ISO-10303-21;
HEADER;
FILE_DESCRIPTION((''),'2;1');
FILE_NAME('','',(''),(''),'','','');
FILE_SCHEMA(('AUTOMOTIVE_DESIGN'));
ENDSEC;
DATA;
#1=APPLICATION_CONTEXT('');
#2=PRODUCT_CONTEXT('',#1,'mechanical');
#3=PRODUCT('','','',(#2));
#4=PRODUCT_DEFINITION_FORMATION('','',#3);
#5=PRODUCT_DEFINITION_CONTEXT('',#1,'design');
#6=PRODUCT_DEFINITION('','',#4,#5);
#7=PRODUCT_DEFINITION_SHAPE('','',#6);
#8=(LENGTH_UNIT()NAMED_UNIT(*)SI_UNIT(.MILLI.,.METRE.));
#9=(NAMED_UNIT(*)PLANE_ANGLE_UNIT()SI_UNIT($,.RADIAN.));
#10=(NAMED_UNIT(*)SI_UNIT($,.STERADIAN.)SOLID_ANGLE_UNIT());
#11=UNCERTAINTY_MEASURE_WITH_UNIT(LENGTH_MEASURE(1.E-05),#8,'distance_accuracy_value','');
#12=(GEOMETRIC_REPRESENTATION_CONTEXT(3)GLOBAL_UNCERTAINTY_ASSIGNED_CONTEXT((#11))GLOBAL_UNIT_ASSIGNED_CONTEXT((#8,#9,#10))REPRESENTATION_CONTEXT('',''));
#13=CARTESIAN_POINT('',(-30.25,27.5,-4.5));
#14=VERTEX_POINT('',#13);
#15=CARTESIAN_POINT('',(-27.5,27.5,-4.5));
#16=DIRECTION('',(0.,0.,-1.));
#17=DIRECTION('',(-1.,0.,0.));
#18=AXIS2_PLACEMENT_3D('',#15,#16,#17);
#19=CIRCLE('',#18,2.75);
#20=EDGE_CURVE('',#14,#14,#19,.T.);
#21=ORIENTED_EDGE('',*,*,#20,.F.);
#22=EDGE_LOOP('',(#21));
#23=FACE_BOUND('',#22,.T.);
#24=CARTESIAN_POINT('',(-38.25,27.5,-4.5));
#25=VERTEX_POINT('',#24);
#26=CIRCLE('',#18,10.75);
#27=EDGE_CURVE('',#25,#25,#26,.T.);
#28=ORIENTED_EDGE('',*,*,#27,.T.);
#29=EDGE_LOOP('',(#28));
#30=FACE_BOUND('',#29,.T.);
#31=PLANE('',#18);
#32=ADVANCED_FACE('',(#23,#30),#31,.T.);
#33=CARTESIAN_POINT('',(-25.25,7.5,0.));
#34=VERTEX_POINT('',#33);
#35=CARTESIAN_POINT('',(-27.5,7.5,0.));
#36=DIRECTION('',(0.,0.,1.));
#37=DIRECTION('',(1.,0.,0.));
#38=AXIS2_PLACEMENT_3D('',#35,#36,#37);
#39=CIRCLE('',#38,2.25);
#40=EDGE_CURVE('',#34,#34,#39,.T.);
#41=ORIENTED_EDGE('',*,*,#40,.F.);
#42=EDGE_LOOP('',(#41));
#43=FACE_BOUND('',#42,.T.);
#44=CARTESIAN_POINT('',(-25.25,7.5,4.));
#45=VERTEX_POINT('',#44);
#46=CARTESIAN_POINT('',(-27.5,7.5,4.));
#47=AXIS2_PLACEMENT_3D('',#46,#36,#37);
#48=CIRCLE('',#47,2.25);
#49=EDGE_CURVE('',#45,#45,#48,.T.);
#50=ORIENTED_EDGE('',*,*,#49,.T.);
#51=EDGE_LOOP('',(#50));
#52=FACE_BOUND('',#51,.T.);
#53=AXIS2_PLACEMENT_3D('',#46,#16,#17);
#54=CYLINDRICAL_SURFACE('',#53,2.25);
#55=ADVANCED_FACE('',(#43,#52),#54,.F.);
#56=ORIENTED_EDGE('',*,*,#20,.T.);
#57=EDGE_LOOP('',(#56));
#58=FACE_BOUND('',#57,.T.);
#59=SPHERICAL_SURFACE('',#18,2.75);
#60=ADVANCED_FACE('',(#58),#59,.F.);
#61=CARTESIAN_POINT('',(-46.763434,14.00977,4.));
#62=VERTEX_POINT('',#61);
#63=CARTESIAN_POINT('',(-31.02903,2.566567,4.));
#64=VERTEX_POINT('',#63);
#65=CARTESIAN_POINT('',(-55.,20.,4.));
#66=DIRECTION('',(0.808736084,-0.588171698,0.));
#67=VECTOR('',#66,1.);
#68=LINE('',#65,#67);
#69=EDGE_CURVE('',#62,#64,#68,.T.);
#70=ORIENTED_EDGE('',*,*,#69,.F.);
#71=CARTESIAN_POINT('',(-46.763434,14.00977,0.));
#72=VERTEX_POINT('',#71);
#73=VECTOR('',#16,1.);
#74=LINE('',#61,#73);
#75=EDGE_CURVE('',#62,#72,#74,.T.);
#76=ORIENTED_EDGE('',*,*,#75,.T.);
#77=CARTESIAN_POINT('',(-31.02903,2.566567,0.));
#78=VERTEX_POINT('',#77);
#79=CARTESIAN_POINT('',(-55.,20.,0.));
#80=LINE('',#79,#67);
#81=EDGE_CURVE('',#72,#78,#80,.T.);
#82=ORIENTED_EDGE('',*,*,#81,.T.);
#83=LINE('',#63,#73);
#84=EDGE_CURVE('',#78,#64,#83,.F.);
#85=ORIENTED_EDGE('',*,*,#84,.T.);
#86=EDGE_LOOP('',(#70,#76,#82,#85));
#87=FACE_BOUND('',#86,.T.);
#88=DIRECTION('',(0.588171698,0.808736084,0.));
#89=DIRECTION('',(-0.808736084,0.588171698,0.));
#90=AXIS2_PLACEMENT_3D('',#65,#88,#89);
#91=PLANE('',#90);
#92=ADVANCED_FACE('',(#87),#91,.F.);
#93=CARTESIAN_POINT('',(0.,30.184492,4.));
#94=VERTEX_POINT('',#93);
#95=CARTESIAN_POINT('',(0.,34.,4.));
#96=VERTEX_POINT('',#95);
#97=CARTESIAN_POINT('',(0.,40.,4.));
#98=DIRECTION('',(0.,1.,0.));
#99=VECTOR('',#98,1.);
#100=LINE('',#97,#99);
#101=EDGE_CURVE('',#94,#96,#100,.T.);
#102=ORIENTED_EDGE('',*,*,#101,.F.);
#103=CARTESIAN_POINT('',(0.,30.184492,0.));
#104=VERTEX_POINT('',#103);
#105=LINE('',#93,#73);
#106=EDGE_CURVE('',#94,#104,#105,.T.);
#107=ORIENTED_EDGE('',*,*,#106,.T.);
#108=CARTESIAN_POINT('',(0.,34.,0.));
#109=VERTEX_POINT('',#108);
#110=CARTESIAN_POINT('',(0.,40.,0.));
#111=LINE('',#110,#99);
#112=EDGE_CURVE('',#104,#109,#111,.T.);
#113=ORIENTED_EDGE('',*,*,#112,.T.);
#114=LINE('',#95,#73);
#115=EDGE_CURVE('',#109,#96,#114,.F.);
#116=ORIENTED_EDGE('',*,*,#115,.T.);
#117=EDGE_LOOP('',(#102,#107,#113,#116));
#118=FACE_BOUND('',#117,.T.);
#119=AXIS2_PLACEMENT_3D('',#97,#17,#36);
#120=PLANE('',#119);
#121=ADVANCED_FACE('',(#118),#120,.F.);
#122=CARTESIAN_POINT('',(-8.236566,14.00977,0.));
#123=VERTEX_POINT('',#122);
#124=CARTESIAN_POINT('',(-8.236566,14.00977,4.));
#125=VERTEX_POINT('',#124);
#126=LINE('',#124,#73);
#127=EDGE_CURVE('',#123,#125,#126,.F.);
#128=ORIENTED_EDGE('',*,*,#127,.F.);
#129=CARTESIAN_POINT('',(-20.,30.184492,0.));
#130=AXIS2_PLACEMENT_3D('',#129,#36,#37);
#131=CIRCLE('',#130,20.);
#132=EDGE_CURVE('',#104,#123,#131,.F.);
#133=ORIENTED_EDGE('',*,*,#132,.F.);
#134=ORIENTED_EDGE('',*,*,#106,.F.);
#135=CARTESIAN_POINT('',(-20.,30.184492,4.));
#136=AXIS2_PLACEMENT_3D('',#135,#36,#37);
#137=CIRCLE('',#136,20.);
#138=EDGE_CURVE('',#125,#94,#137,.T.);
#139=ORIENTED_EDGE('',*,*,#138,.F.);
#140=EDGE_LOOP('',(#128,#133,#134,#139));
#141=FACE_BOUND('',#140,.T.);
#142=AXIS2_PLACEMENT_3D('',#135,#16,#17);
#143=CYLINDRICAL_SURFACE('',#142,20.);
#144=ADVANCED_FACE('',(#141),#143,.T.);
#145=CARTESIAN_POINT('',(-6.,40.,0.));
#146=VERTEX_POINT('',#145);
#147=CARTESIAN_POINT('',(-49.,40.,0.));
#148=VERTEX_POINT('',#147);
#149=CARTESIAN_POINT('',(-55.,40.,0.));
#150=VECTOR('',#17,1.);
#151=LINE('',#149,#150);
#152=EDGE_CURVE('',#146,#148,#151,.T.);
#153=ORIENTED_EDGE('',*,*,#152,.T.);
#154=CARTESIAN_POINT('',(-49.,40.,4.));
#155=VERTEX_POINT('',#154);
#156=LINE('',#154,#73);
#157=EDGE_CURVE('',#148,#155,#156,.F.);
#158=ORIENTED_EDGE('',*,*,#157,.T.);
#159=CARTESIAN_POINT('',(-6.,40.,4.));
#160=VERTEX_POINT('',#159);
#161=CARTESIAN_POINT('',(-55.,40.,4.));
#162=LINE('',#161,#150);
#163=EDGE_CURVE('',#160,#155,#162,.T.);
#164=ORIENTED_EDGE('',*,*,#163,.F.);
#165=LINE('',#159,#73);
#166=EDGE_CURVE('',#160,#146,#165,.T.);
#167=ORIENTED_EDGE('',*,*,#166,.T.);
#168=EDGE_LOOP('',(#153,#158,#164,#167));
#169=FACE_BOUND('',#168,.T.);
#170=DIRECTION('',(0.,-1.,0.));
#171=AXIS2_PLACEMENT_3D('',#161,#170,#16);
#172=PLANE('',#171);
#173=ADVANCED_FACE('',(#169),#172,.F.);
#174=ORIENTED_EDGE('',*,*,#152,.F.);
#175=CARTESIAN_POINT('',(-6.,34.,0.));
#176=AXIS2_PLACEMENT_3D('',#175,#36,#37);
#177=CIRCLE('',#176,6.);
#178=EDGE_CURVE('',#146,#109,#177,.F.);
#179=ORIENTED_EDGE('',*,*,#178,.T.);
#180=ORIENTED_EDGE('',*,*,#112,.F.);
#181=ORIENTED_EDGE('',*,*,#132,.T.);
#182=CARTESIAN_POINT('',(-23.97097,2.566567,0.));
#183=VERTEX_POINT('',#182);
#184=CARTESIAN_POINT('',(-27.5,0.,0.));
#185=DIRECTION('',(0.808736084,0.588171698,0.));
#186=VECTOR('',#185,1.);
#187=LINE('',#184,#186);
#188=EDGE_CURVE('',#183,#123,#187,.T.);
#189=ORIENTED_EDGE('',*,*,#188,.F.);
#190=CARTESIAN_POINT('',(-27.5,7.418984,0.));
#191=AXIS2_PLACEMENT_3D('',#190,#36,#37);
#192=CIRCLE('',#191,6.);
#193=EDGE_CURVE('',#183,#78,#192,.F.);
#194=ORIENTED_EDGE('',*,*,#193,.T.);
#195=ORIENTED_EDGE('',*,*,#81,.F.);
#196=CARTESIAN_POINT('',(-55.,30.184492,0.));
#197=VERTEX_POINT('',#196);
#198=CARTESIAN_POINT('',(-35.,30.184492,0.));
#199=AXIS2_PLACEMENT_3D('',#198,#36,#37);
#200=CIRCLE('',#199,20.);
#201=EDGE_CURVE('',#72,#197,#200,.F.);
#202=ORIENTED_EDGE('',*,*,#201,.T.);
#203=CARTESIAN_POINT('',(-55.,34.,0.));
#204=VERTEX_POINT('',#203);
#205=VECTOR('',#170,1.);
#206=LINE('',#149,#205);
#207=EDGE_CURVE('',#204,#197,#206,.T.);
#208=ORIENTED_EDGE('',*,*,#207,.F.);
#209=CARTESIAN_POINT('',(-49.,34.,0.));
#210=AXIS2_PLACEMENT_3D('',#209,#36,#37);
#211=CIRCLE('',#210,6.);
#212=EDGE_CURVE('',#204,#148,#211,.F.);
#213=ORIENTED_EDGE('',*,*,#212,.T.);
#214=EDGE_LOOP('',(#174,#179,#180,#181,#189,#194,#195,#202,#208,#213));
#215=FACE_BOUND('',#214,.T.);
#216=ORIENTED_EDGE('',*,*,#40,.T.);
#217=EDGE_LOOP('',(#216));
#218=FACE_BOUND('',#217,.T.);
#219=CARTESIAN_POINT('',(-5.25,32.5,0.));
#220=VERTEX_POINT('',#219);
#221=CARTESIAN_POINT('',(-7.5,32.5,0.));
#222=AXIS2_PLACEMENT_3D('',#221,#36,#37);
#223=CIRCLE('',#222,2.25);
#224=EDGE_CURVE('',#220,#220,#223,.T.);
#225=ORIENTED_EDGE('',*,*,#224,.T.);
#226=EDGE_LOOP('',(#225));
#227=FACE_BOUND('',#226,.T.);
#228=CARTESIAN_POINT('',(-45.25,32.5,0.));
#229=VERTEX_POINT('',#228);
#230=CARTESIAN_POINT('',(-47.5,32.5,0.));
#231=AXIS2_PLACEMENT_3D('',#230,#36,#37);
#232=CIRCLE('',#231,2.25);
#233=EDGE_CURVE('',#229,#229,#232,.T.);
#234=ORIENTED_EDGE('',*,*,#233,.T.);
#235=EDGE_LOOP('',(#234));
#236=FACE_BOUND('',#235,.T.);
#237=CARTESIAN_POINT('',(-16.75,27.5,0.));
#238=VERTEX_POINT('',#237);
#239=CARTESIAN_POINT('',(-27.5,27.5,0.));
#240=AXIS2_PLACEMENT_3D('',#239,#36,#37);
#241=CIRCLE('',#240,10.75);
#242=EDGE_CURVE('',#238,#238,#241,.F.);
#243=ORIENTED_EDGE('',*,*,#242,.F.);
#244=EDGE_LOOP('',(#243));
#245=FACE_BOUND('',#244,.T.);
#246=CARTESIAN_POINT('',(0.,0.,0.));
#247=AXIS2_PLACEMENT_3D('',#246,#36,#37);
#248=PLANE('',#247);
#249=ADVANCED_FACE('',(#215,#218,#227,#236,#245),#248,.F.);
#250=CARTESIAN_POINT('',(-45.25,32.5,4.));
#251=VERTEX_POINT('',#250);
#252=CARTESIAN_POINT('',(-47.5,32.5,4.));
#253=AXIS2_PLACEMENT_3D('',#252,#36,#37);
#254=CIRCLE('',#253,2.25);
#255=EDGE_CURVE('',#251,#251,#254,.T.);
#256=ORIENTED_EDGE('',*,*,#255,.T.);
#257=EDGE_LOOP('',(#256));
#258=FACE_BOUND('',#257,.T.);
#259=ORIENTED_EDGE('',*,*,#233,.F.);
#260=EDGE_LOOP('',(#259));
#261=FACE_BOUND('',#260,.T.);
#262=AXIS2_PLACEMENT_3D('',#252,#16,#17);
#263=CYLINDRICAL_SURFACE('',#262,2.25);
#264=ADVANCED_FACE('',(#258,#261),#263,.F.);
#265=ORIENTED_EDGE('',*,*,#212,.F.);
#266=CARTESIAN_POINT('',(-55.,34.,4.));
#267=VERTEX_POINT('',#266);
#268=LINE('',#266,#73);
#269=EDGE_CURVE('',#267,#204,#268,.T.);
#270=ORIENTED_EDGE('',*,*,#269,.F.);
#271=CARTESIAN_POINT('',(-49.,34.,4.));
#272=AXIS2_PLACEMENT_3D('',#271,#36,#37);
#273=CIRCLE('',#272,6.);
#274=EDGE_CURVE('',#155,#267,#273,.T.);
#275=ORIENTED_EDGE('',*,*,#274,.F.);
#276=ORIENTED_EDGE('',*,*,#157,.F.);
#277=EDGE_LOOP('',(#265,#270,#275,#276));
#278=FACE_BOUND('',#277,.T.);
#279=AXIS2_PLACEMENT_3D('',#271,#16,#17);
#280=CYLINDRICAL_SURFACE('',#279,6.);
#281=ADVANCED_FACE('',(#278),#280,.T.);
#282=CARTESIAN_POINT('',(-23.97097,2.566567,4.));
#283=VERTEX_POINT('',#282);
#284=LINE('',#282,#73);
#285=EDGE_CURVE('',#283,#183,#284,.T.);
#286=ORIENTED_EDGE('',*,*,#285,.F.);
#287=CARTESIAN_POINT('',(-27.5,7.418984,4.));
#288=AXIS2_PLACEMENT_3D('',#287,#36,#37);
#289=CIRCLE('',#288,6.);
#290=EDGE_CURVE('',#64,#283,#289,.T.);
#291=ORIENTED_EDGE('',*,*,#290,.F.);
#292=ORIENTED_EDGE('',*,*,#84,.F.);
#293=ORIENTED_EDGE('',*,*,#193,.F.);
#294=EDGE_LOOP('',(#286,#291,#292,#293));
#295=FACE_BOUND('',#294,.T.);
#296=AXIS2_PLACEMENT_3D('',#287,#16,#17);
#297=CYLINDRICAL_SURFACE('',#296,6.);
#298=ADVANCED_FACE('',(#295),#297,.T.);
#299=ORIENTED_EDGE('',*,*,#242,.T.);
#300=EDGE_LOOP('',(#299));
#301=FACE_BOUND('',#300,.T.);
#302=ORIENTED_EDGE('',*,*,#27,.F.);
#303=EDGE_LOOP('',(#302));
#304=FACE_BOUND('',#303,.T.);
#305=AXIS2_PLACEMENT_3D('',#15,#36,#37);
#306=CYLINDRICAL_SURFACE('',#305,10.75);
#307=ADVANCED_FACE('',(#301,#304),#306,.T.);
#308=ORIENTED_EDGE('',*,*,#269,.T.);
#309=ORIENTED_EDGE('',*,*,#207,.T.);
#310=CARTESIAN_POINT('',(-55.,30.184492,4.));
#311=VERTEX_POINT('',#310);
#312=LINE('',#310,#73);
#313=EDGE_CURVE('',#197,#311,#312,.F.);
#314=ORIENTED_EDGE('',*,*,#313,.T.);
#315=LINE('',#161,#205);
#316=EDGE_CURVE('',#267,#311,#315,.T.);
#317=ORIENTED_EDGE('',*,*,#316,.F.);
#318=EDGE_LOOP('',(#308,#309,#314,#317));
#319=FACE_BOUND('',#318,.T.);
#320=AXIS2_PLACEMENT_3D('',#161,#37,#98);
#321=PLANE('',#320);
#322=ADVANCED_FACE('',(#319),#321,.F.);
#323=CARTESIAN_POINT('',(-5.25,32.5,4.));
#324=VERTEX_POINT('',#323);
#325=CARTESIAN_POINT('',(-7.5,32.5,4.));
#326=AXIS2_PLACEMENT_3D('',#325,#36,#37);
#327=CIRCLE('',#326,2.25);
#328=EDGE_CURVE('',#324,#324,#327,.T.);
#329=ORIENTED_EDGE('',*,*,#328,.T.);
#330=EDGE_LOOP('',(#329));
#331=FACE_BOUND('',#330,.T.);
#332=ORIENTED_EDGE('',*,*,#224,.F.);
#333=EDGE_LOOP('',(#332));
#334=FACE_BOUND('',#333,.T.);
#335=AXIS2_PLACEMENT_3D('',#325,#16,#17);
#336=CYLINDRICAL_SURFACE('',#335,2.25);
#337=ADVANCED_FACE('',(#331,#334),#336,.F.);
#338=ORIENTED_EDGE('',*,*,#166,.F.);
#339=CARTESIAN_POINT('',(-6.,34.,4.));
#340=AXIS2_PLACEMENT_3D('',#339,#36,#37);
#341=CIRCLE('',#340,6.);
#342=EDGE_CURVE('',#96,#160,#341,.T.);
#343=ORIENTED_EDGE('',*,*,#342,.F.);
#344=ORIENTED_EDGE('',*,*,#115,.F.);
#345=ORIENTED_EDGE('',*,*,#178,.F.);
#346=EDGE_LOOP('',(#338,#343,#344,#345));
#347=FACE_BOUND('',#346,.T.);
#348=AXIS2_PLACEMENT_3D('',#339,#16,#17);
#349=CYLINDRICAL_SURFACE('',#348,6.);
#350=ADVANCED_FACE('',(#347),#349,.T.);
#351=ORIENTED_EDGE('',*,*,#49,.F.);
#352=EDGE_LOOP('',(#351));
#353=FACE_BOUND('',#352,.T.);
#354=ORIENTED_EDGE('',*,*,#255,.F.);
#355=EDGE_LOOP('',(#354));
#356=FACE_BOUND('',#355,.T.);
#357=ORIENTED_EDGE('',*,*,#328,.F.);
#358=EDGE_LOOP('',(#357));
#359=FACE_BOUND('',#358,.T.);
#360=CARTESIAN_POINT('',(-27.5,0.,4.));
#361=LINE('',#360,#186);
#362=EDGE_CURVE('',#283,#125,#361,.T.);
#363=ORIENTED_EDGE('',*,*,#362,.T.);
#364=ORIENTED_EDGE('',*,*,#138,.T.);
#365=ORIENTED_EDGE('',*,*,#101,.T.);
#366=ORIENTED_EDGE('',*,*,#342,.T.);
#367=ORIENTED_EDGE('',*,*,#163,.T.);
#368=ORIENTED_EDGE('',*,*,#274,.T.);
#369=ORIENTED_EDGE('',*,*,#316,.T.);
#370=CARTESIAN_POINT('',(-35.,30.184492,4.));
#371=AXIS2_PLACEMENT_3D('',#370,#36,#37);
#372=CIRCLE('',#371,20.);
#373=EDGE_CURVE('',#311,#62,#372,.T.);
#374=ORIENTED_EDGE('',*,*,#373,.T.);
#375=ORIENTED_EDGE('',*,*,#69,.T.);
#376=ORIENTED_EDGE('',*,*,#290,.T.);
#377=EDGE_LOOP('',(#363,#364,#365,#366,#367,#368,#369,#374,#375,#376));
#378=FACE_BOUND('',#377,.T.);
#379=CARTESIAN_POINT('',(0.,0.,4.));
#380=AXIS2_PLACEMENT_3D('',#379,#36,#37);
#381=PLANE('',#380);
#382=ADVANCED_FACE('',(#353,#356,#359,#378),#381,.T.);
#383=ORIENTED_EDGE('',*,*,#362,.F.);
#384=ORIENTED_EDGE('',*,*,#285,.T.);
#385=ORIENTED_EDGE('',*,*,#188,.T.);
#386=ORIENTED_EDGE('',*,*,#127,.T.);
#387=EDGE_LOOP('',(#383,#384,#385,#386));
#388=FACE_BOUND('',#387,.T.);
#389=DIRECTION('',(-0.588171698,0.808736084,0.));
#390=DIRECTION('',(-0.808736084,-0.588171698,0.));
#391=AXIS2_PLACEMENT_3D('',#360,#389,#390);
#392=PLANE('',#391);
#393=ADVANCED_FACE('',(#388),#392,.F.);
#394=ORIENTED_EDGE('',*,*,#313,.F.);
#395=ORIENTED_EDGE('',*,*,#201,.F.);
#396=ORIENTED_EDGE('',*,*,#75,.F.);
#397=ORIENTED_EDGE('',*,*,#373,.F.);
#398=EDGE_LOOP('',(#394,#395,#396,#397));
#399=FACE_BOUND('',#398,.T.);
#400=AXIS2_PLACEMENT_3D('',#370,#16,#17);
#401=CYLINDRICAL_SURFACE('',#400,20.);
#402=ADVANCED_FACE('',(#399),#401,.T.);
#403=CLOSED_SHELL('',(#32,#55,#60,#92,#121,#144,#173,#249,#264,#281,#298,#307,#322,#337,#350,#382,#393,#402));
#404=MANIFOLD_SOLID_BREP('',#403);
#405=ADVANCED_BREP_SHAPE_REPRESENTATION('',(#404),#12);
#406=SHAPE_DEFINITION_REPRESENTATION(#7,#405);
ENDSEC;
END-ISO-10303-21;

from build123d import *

# Parameters (mm, degrees)
ESQUISSE1_R        = 2.25
BOSS_EXTRU_1_DEPTH = 4
CONG_2_R           = 6
CONG_3_R           = 20
ESQUISSE2_R        = 10.75
BOSS_EXTRU_2_DEPTH = 4.5


with BuildPart() as part:
    # Esquisse1 → Boss.-Extru.1 (new body)
    with BuildSketch(Plane.XY):
        Polygon((-55, 20), (-27.5, 0), (0, 20), (0, 40), (-55, 40), align=None)
        with Locations((-47.5, 32.5)):
            Circle(ESQUISSE1_R, mode=Mode.SUBTRACT)
        with Locations((-7.5, 32.5)):
            Circle(ESQUISSE1_R, mode=Mode.SUBTRACT)
        with Locations((-27.5, 7.5)):
            Circle(ESQUISSE1_R, mode=Mode.SUBTRACT)
    extrude(amount=BOSS_EXTRU_1_DEPTH)

    # Congé2
    cong_2_edges = [part.edges().sort_by_distance(p)[0] for p in [
        (-55, 40, 2),
        (0, 40, 2),
        (-27.5, 0, 2),
    ]]
    fillet(cong_2_edges, radius=CONG_2_R)

    # Congé3
    cong_3_edges = [part.edges().sort_by_distance(p)[0] for p in [
        (0, 20, 2),
        (-55, 20, 2),
    ]]
    fillet(cong_3_edges, radius=CONG_3_R)

    # Esquisse2 → Boss.-Extru.2 (add)
    with BuildSketch(Plane(origin=(0, 0, 0), x_dir=(-1, 0, 0), z_dir=(0, 0, -1))):
        with Locations(Location((27.5, 27.5, 0), (0, 0, 180))):  # turned: the seam where the file's is
            Circle(ESQUISSE2_R)
    extrude(amount=BOSS_EXTRU_2_DEPTH)

    # Esquisse3 → Enlèvement de matière-Révolution5 (revolve, cut)
    with BuildSketch(Plane(origin=(0, 0, -4.5), x_dir=(-1, 0, 0), z_dir=(0, 0, -1))):
        with BuildLine():
            Line((27.5, 30.25), (27.5, 24.75))
            ThreePointArc((27.5, 24.75), (24.75, 27.5), (27.5, 30.25))
        make_face()
    revolve(axis=Axis((-27.5, 30.25, -4.5), (0, -1, 0)), mode=Mode.SUBTRACT)


solid = part.part
